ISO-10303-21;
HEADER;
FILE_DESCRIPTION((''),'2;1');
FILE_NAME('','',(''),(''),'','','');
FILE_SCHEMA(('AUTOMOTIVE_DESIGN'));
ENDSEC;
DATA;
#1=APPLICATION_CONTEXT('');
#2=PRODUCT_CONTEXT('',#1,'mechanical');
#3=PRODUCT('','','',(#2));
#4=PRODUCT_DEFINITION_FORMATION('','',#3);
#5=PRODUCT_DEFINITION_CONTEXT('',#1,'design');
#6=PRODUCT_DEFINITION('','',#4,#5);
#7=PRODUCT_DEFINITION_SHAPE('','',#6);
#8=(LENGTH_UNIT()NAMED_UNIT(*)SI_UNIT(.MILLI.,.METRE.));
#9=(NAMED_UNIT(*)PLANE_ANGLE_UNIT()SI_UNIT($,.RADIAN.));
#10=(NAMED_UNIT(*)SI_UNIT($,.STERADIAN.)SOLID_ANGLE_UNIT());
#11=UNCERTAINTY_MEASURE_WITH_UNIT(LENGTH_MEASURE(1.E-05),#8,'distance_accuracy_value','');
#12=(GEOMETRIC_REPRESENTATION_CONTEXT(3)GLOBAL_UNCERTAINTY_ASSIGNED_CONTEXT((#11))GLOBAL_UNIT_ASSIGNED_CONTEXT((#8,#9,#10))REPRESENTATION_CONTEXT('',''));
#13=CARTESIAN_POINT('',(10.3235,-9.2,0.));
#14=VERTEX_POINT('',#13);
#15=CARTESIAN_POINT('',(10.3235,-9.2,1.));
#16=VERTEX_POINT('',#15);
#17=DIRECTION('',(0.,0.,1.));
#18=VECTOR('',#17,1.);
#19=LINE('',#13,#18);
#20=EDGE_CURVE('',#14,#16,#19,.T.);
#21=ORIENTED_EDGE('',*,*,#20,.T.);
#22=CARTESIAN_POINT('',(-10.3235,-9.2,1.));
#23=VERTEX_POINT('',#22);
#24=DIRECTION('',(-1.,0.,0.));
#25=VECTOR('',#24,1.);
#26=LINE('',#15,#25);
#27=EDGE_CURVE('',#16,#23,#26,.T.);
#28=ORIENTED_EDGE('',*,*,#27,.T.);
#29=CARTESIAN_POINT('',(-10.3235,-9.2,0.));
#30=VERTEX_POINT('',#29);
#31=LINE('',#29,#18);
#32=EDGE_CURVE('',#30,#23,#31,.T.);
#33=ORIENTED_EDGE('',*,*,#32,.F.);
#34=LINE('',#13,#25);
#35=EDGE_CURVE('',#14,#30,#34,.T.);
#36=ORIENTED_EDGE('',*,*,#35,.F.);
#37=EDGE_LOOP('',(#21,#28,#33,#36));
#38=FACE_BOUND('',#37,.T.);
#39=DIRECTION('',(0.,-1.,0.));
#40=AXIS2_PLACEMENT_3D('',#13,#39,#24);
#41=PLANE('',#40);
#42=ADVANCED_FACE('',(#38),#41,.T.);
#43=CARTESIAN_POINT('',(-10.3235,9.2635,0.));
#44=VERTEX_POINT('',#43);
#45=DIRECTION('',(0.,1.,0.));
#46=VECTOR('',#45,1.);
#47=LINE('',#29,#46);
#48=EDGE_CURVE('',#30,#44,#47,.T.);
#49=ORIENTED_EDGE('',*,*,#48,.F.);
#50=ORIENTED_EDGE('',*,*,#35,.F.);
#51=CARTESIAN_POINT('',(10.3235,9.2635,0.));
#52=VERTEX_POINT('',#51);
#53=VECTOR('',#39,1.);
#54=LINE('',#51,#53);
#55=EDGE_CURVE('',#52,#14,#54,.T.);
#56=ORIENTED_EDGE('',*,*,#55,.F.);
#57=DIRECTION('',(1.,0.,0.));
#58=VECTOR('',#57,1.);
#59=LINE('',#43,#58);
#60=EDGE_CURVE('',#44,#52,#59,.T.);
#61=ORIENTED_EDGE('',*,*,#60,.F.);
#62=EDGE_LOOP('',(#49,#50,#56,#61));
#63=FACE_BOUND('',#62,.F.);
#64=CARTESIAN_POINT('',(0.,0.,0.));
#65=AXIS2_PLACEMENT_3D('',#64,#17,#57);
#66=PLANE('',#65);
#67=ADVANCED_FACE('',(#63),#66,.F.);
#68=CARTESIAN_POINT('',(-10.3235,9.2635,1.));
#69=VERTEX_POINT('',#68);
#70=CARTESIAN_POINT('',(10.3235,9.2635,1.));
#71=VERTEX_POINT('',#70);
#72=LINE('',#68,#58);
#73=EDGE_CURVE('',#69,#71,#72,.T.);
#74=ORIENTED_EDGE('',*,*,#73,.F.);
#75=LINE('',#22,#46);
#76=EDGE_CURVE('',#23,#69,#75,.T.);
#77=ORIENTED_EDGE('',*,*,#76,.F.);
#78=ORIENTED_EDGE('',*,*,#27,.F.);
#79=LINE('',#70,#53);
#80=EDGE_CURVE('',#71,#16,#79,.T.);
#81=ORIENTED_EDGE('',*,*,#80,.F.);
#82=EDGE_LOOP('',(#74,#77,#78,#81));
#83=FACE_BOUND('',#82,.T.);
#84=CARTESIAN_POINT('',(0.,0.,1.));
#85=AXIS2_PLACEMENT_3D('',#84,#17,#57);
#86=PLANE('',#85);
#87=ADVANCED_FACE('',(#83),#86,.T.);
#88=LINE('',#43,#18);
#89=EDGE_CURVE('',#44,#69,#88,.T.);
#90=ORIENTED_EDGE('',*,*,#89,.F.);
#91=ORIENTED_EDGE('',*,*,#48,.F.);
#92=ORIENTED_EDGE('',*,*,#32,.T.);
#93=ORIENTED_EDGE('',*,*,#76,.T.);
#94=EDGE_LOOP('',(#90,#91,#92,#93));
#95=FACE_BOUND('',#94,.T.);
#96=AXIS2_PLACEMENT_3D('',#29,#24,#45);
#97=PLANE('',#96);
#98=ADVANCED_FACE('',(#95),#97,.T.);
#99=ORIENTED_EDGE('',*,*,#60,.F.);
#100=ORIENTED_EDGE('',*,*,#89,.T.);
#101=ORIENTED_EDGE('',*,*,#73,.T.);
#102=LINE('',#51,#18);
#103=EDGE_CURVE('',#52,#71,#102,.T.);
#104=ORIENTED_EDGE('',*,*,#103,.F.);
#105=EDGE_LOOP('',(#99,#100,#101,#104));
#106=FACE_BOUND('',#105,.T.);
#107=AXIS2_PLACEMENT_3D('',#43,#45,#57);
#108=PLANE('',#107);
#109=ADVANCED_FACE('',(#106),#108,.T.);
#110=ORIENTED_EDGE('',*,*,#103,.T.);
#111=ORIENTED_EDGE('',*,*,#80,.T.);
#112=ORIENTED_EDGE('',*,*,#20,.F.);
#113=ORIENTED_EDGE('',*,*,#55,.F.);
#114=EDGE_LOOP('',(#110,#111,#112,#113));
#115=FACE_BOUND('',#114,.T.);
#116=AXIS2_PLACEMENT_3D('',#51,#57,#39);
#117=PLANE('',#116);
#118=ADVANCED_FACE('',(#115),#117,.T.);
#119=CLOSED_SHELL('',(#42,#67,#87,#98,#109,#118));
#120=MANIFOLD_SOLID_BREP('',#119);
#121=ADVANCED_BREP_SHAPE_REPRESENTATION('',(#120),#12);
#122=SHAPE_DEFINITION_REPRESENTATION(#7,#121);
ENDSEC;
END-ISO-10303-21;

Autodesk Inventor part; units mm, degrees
ref_plane "YZ Plane" through (0, 0, 0) normal (1, 0, 0) x (0, 1, 0)
ref_plane "XZ Plane" through (0, 0, 0) normal (0, 1, 0) x (-1, 0, 0)
ref_plane "XY Plane" through (0, 0, 0) normal (0, 0, 1) x (1, 0, 0)
sketch3d "PAS-PHOENIXTERMINAL-2PIN-10_16MM, PAS-PHOENIXTERMINAL2PIN-10"
sketch "PAS-PHOENIXTERMINAL-2PIN-10_16MM, PAS-PHOENIXTERMINAL2PIN-10_16MM_123" plane through (0, 0, 0) normal (0, 0, 1) x (1, 0, 0)
  line L0 (-10.3235, 9.2635) -> (10.3235, 9.2635)
  line L1 (10.3235, 9.2635) -> (10.3235, -9.2)
  line L2 (10.3235, -9.2) -> (-10.3235, -9.2)
  line L3 (-10.3235, -9.2) -> (-10.3235, 9.2635)
extrude "Extrusion1" add sketch "PAS-PHOENIXTERMINAL-2PIN-10_16MM, PAS-PHOENIXTERMINAL2PIN-10_16MM_123" along normal blind 1
properties part number "PAS-PHOENIXTERMINAL2PIN-10_16MM"
